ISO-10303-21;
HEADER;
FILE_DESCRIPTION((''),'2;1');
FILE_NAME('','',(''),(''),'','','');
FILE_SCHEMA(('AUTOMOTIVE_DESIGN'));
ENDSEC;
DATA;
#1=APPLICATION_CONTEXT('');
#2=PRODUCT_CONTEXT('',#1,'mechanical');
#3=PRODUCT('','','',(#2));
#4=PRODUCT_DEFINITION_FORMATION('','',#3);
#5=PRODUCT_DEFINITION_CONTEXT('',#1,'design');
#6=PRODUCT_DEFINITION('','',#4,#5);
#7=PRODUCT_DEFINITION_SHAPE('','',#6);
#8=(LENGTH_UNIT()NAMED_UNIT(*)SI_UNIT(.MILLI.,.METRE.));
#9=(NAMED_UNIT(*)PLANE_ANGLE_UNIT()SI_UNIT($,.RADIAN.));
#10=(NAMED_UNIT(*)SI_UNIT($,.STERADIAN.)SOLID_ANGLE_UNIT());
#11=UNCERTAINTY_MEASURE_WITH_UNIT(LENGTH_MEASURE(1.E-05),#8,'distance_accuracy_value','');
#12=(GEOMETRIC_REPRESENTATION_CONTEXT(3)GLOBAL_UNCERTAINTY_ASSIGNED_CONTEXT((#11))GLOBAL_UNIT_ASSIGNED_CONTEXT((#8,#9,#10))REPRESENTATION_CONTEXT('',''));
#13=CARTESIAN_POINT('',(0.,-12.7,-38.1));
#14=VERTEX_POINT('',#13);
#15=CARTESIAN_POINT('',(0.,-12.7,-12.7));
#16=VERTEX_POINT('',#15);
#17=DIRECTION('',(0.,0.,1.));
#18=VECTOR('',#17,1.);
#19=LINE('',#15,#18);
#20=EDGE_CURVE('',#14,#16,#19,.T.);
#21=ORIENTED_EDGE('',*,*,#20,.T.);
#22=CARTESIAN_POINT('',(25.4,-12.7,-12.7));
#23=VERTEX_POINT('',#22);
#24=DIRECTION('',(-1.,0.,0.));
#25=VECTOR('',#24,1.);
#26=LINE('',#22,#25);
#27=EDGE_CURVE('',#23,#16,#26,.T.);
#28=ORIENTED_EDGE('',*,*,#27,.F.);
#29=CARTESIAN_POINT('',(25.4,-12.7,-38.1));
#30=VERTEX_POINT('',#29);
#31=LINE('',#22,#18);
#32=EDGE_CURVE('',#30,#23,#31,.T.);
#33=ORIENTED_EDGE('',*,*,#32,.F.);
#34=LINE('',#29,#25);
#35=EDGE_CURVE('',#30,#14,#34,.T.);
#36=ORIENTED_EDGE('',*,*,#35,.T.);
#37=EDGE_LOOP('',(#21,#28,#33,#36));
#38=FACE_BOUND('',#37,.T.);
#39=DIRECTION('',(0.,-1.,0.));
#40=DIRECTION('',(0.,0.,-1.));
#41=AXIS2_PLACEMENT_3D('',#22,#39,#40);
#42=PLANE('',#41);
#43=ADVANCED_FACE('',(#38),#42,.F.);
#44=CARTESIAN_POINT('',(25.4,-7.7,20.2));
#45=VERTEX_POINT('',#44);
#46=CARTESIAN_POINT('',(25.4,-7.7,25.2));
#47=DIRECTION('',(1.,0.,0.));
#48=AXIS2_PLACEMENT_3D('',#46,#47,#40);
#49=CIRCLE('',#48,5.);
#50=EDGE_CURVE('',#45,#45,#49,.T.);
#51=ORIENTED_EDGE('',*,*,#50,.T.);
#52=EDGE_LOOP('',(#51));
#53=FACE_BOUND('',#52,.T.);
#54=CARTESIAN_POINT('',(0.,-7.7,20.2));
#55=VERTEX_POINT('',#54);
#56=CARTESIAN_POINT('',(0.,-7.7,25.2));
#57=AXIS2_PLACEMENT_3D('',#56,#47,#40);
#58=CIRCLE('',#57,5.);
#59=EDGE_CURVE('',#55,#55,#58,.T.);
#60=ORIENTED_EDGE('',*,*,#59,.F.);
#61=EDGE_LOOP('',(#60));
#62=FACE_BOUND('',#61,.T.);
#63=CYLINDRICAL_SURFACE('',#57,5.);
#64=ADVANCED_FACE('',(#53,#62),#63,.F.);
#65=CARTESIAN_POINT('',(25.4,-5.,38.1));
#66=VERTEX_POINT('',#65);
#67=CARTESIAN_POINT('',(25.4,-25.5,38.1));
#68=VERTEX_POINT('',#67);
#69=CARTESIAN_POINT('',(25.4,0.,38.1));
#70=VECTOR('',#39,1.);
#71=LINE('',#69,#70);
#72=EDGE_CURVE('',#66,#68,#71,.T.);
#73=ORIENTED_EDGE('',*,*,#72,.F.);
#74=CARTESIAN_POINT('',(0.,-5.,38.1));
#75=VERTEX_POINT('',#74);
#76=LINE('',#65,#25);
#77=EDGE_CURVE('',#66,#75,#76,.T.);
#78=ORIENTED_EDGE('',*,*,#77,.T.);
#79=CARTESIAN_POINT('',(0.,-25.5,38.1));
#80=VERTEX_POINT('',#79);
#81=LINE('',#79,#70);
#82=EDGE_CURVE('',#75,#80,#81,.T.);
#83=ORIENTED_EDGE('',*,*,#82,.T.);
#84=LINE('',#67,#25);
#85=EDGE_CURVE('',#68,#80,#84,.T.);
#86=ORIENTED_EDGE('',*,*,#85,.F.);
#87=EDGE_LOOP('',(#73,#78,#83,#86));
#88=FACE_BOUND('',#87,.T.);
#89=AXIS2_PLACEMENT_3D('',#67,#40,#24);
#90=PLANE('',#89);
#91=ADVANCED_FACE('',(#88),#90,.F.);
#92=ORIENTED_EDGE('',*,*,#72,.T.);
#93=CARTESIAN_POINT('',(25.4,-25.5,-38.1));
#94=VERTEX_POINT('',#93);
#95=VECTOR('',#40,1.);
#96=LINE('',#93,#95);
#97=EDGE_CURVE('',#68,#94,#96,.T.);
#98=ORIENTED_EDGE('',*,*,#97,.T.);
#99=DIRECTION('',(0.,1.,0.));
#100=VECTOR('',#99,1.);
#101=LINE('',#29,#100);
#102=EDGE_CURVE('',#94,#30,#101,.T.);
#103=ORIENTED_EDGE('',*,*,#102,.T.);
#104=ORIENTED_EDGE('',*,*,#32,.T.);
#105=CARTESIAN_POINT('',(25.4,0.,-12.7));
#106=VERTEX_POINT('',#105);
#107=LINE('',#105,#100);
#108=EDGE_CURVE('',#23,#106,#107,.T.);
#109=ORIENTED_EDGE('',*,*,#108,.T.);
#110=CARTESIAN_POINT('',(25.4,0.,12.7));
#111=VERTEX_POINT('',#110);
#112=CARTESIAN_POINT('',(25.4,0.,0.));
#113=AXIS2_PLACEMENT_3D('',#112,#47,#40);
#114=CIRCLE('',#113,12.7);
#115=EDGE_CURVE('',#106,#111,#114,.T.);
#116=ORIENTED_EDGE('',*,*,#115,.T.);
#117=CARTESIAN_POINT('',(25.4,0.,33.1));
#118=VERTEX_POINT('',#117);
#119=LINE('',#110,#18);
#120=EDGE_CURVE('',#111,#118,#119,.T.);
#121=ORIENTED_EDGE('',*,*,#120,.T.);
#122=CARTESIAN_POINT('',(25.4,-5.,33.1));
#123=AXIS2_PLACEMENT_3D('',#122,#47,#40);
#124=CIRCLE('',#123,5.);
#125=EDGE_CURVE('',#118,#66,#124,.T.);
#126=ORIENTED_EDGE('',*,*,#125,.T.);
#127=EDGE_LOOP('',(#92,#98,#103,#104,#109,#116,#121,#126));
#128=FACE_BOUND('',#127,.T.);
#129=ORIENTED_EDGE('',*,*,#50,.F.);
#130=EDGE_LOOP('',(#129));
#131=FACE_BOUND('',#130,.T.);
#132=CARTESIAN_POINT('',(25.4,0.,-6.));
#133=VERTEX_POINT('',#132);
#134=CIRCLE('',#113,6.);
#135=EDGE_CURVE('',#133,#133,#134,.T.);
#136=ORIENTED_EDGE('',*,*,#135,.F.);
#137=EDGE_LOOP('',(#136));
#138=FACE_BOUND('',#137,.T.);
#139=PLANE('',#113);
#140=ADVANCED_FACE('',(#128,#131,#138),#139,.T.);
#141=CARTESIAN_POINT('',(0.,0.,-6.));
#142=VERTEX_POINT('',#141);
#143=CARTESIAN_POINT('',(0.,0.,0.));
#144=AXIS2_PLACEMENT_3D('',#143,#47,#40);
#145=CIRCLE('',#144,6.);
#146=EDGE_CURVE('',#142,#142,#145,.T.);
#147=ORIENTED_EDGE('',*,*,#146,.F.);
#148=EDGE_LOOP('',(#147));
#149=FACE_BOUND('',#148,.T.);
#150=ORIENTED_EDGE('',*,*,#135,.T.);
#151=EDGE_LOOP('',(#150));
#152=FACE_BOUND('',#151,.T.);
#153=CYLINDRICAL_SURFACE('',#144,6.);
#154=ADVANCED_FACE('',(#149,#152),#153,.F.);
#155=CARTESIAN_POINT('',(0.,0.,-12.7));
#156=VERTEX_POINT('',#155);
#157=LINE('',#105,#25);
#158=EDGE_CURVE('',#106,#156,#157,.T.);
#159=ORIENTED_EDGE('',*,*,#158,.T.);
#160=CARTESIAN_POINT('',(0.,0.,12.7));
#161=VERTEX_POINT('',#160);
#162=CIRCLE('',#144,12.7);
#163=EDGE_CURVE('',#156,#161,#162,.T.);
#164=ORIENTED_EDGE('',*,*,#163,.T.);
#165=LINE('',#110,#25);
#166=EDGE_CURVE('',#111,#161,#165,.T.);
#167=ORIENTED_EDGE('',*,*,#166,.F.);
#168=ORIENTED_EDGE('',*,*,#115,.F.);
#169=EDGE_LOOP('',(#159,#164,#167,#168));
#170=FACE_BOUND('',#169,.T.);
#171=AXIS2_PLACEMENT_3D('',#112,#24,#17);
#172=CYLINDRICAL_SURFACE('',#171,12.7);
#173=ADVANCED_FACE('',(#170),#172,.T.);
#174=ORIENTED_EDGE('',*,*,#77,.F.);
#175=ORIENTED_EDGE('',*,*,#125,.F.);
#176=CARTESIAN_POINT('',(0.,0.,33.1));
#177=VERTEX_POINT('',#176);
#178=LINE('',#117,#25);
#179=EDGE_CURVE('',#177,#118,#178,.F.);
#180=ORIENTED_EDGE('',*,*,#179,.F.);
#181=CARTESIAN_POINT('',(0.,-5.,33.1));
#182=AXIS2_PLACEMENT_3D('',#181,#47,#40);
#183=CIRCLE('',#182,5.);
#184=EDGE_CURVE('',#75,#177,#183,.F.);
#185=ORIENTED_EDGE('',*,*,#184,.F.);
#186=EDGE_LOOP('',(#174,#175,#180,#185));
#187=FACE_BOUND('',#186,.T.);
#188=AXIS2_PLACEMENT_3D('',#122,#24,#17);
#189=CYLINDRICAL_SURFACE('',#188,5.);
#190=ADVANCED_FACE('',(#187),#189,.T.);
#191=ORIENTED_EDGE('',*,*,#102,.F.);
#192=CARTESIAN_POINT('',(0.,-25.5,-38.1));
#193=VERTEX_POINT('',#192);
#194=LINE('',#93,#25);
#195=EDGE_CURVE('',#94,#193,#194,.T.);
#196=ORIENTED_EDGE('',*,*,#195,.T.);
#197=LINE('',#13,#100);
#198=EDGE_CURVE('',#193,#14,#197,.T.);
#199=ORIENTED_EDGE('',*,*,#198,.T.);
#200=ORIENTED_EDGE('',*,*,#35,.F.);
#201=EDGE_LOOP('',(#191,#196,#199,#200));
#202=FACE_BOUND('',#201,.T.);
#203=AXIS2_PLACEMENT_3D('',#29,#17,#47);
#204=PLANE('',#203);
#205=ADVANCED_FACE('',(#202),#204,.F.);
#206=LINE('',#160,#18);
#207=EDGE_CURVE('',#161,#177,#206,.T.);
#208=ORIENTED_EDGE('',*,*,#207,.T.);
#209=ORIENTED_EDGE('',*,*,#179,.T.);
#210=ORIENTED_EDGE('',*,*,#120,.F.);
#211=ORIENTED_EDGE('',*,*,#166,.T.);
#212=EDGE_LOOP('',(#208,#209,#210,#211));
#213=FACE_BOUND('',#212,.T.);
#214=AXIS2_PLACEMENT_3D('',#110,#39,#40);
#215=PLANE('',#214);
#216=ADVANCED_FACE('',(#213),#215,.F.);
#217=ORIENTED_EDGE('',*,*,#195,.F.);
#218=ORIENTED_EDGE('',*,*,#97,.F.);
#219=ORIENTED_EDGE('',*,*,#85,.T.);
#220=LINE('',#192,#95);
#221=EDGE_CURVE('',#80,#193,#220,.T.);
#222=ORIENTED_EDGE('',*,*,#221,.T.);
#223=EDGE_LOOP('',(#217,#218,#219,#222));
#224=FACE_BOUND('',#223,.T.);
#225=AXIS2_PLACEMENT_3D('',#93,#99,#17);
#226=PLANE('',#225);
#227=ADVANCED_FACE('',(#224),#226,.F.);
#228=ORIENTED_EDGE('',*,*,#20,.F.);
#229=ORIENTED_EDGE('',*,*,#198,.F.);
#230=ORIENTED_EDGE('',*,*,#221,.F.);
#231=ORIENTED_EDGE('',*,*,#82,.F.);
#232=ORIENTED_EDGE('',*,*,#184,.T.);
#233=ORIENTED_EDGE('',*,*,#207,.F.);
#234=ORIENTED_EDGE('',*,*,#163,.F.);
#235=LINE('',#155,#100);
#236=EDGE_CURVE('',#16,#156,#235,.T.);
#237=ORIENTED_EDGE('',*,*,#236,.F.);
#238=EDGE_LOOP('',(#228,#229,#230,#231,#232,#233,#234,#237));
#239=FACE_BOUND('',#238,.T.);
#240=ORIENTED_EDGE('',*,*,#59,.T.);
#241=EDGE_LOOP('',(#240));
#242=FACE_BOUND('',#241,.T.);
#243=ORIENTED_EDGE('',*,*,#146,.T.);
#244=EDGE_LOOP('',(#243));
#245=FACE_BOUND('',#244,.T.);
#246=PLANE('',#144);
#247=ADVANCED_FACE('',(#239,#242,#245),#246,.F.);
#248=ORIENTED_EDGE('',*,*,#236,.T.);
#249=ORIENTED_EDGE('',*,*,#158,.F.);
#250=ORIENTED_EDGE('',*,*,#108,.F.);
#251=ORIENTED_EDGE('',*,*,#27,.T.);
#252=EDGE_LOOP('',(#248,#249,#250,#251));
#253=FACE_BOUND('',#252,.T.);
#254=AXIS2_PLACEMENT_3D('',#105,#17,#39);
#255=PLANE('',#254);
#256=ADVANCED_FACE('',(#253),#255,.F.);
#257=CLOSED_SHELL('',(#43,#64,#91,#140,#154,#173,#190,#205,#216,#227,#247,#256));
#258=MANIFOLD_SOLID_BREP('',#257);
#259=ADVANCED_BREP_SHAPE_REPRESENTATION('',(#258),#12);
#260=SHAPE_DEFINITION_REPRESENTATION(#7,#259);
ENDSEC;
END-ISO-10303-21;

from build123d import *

# Parameters (mm, degrees)
BOSS_EXTRUDE1_DEPTH = 25.4
SKETCH2_R           = 6
SKETCH2_R_2         = 5
CUT_EXTRUDE1_DEPTH  = 26.4
FILLET1_R           = 5


with BuildPart() as part:
    # Sketch1 → Boss-Extrude1 (new body)
    with BuildSketch(Plane(origin=(0, 0, 0), x_dir=(0, 0, -1), z_dir=(1, 0, 0))):
        with BuildLine():
            Line((12.7, 0), (12.7, -12.7))
            Line((12.7, -12.7), (38.1, -12.7))
            Line((38.1, -12.7), (38.1, -25.5))
            Line((38.1, -25.5), (-38.1, -25.5))
            Line((-38.1, -25.5), (-38.1, -12.7))
            Line((-38.1, -12.7), (-38.1, 0))
            Line((-38.1, 0), (-12.7, 0))
            ThreePointArc((-12.7, 0), (0, 12.7), (12.7, 0))
        make_face()
    extrude(amount=BOSS_EXTRUDE1_DEPTH)

    # Sketch2 → Cut-Extrude1 (cut, through all)
    with BuildSketch(Plane(origin=(25.4, 0, 0), x_dir=(0, 0, -1), z_dir=(1, 0, 0))):
        Circle(SKETCH2_R)
        with Locations((-25.2, -7.7)):
            Circle(SKETCH2_R_2)
    extrude(amount=-CUT_EXTRUDE1_DEPTH, mode=Mode.SUBTRACT)

    # Fillet1
    fillet1_edges = [part.edges().sort_by_distance(p)[0] for p in [
        (12.7, 0, 38.1),
    ]]
    fillet(fillet1_edges, radius=FILLET1_R)


solid = part.part
